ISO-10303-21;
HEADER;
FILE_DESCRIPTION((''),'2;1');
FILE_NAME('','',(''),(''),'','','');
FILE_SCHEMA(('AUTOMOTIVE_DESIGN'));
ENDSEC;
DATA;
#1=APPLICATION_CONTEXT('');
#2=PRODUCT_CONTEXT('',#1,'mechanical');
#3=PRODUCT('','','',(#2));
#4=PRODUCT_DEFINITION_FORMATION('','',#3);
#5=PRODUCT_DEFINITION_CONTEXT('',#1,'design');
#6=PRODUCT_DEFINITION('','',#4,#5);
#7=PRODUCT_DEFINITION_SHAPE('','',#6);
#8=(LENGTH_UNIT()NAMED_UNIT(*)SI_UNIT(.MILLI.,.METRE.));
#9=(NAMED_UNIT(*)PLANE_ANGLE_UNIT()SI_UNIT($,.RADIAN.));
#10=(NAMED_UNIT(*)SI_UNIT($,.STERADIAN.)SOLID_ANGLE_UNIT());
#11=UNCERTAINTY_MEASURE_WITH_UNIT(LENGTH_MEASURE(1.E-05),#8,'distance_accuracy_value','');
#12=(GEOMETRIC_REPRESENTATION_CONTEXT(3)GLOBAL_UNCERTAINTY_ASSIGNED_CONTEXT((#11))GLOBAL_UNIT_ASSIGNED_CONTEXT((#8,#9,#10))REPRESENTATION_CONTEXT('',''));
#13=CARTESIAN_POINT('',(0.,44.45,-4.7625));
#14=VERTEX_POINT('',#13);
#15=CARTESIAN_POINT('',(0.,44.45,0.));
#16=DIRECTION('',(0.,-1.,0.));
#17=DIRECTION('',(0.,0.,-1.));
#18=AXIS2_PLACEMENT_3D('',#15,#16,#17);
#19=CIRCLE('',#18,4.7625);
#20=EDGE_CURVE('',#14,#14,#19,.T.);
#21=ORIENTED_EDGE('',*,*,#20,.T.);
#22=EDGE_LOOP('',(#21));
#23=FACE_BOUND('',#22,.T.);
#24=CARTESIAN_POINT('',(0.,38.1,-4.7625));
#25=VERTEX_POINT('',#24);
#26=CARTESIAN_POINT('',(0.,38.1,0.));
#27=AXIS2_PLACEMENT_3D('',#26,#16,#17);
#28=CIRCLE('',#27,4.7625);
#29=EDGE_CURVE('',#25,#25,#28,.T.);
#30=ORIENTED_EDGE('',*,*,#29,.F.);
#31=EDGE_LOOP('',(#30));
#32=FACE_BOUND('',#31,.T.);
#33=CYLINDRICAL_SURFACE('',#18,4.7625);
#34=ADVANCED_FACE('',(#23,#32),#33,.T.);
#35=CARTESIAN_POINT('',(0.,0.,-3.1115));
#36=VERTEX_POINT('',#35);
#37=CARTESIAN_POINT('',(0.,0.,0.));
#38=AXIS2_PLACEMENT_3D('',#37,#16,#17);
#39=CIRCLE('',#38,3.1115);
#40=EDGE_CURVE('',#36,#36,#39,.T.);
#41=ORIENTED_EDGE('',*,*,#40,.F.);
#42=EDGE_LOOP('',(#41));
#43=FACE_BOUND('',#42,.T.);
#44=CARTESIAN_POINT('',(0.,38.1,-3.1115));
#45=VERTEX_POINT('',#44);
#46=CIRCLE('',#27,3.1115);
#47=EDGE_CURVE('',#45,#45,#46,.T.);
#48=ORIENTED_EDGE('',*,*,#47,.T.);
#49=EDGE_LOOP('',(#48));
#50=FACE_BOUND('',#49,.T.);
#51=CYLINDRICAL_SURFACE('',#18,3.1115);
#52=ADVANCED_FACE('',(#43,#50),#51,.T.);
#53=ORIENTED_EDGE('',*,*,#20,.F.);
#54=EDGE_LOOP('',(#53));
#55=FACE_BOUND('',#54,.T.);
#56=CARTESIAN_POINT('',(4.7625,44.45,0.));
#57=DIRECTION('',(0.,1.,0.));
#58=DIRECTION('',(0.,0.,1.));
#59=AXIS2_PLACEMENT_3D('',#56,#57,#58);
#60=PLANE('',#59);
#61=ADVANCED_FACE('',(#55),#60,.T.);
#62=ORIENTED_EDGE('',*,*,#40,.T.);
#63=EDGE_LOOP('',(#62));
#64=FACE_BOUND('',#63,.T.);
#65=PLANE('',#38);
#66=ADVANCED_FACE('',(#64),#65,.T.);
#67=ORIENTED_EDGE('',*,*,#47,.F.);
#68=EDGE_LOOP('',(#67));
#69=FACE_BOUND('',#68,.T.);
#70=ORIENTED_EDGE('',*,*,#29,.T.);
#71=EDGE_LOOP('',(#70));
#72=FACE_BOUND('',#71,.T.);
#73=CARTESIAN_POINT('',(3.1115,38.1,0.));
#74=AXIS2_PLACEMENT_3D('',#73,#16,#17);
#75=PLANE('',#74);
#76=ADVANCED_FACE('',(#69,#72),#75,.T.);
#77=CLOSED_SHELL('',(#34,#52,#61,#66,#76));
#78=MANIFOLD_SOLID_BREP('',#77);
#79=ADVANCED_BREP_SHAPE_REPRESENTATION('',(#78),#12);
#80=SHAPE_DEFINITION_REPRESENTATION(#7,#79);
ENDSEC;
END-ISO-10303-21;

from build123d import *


with BuildPart() as part:
    # Sketch1 → Revolve1 (revolve)
    with BuildSketch(Plane.XY):
        Polygon((4.7625, 44.45), (0, 44.45), (0, 0), (3.1115, 0), (3.1115, 38.1), (4.7625, 38.1), align=None)
    revolve(axis=Axis((0, 44.45, 0), (0, -1, 0)))


solid = part.part
